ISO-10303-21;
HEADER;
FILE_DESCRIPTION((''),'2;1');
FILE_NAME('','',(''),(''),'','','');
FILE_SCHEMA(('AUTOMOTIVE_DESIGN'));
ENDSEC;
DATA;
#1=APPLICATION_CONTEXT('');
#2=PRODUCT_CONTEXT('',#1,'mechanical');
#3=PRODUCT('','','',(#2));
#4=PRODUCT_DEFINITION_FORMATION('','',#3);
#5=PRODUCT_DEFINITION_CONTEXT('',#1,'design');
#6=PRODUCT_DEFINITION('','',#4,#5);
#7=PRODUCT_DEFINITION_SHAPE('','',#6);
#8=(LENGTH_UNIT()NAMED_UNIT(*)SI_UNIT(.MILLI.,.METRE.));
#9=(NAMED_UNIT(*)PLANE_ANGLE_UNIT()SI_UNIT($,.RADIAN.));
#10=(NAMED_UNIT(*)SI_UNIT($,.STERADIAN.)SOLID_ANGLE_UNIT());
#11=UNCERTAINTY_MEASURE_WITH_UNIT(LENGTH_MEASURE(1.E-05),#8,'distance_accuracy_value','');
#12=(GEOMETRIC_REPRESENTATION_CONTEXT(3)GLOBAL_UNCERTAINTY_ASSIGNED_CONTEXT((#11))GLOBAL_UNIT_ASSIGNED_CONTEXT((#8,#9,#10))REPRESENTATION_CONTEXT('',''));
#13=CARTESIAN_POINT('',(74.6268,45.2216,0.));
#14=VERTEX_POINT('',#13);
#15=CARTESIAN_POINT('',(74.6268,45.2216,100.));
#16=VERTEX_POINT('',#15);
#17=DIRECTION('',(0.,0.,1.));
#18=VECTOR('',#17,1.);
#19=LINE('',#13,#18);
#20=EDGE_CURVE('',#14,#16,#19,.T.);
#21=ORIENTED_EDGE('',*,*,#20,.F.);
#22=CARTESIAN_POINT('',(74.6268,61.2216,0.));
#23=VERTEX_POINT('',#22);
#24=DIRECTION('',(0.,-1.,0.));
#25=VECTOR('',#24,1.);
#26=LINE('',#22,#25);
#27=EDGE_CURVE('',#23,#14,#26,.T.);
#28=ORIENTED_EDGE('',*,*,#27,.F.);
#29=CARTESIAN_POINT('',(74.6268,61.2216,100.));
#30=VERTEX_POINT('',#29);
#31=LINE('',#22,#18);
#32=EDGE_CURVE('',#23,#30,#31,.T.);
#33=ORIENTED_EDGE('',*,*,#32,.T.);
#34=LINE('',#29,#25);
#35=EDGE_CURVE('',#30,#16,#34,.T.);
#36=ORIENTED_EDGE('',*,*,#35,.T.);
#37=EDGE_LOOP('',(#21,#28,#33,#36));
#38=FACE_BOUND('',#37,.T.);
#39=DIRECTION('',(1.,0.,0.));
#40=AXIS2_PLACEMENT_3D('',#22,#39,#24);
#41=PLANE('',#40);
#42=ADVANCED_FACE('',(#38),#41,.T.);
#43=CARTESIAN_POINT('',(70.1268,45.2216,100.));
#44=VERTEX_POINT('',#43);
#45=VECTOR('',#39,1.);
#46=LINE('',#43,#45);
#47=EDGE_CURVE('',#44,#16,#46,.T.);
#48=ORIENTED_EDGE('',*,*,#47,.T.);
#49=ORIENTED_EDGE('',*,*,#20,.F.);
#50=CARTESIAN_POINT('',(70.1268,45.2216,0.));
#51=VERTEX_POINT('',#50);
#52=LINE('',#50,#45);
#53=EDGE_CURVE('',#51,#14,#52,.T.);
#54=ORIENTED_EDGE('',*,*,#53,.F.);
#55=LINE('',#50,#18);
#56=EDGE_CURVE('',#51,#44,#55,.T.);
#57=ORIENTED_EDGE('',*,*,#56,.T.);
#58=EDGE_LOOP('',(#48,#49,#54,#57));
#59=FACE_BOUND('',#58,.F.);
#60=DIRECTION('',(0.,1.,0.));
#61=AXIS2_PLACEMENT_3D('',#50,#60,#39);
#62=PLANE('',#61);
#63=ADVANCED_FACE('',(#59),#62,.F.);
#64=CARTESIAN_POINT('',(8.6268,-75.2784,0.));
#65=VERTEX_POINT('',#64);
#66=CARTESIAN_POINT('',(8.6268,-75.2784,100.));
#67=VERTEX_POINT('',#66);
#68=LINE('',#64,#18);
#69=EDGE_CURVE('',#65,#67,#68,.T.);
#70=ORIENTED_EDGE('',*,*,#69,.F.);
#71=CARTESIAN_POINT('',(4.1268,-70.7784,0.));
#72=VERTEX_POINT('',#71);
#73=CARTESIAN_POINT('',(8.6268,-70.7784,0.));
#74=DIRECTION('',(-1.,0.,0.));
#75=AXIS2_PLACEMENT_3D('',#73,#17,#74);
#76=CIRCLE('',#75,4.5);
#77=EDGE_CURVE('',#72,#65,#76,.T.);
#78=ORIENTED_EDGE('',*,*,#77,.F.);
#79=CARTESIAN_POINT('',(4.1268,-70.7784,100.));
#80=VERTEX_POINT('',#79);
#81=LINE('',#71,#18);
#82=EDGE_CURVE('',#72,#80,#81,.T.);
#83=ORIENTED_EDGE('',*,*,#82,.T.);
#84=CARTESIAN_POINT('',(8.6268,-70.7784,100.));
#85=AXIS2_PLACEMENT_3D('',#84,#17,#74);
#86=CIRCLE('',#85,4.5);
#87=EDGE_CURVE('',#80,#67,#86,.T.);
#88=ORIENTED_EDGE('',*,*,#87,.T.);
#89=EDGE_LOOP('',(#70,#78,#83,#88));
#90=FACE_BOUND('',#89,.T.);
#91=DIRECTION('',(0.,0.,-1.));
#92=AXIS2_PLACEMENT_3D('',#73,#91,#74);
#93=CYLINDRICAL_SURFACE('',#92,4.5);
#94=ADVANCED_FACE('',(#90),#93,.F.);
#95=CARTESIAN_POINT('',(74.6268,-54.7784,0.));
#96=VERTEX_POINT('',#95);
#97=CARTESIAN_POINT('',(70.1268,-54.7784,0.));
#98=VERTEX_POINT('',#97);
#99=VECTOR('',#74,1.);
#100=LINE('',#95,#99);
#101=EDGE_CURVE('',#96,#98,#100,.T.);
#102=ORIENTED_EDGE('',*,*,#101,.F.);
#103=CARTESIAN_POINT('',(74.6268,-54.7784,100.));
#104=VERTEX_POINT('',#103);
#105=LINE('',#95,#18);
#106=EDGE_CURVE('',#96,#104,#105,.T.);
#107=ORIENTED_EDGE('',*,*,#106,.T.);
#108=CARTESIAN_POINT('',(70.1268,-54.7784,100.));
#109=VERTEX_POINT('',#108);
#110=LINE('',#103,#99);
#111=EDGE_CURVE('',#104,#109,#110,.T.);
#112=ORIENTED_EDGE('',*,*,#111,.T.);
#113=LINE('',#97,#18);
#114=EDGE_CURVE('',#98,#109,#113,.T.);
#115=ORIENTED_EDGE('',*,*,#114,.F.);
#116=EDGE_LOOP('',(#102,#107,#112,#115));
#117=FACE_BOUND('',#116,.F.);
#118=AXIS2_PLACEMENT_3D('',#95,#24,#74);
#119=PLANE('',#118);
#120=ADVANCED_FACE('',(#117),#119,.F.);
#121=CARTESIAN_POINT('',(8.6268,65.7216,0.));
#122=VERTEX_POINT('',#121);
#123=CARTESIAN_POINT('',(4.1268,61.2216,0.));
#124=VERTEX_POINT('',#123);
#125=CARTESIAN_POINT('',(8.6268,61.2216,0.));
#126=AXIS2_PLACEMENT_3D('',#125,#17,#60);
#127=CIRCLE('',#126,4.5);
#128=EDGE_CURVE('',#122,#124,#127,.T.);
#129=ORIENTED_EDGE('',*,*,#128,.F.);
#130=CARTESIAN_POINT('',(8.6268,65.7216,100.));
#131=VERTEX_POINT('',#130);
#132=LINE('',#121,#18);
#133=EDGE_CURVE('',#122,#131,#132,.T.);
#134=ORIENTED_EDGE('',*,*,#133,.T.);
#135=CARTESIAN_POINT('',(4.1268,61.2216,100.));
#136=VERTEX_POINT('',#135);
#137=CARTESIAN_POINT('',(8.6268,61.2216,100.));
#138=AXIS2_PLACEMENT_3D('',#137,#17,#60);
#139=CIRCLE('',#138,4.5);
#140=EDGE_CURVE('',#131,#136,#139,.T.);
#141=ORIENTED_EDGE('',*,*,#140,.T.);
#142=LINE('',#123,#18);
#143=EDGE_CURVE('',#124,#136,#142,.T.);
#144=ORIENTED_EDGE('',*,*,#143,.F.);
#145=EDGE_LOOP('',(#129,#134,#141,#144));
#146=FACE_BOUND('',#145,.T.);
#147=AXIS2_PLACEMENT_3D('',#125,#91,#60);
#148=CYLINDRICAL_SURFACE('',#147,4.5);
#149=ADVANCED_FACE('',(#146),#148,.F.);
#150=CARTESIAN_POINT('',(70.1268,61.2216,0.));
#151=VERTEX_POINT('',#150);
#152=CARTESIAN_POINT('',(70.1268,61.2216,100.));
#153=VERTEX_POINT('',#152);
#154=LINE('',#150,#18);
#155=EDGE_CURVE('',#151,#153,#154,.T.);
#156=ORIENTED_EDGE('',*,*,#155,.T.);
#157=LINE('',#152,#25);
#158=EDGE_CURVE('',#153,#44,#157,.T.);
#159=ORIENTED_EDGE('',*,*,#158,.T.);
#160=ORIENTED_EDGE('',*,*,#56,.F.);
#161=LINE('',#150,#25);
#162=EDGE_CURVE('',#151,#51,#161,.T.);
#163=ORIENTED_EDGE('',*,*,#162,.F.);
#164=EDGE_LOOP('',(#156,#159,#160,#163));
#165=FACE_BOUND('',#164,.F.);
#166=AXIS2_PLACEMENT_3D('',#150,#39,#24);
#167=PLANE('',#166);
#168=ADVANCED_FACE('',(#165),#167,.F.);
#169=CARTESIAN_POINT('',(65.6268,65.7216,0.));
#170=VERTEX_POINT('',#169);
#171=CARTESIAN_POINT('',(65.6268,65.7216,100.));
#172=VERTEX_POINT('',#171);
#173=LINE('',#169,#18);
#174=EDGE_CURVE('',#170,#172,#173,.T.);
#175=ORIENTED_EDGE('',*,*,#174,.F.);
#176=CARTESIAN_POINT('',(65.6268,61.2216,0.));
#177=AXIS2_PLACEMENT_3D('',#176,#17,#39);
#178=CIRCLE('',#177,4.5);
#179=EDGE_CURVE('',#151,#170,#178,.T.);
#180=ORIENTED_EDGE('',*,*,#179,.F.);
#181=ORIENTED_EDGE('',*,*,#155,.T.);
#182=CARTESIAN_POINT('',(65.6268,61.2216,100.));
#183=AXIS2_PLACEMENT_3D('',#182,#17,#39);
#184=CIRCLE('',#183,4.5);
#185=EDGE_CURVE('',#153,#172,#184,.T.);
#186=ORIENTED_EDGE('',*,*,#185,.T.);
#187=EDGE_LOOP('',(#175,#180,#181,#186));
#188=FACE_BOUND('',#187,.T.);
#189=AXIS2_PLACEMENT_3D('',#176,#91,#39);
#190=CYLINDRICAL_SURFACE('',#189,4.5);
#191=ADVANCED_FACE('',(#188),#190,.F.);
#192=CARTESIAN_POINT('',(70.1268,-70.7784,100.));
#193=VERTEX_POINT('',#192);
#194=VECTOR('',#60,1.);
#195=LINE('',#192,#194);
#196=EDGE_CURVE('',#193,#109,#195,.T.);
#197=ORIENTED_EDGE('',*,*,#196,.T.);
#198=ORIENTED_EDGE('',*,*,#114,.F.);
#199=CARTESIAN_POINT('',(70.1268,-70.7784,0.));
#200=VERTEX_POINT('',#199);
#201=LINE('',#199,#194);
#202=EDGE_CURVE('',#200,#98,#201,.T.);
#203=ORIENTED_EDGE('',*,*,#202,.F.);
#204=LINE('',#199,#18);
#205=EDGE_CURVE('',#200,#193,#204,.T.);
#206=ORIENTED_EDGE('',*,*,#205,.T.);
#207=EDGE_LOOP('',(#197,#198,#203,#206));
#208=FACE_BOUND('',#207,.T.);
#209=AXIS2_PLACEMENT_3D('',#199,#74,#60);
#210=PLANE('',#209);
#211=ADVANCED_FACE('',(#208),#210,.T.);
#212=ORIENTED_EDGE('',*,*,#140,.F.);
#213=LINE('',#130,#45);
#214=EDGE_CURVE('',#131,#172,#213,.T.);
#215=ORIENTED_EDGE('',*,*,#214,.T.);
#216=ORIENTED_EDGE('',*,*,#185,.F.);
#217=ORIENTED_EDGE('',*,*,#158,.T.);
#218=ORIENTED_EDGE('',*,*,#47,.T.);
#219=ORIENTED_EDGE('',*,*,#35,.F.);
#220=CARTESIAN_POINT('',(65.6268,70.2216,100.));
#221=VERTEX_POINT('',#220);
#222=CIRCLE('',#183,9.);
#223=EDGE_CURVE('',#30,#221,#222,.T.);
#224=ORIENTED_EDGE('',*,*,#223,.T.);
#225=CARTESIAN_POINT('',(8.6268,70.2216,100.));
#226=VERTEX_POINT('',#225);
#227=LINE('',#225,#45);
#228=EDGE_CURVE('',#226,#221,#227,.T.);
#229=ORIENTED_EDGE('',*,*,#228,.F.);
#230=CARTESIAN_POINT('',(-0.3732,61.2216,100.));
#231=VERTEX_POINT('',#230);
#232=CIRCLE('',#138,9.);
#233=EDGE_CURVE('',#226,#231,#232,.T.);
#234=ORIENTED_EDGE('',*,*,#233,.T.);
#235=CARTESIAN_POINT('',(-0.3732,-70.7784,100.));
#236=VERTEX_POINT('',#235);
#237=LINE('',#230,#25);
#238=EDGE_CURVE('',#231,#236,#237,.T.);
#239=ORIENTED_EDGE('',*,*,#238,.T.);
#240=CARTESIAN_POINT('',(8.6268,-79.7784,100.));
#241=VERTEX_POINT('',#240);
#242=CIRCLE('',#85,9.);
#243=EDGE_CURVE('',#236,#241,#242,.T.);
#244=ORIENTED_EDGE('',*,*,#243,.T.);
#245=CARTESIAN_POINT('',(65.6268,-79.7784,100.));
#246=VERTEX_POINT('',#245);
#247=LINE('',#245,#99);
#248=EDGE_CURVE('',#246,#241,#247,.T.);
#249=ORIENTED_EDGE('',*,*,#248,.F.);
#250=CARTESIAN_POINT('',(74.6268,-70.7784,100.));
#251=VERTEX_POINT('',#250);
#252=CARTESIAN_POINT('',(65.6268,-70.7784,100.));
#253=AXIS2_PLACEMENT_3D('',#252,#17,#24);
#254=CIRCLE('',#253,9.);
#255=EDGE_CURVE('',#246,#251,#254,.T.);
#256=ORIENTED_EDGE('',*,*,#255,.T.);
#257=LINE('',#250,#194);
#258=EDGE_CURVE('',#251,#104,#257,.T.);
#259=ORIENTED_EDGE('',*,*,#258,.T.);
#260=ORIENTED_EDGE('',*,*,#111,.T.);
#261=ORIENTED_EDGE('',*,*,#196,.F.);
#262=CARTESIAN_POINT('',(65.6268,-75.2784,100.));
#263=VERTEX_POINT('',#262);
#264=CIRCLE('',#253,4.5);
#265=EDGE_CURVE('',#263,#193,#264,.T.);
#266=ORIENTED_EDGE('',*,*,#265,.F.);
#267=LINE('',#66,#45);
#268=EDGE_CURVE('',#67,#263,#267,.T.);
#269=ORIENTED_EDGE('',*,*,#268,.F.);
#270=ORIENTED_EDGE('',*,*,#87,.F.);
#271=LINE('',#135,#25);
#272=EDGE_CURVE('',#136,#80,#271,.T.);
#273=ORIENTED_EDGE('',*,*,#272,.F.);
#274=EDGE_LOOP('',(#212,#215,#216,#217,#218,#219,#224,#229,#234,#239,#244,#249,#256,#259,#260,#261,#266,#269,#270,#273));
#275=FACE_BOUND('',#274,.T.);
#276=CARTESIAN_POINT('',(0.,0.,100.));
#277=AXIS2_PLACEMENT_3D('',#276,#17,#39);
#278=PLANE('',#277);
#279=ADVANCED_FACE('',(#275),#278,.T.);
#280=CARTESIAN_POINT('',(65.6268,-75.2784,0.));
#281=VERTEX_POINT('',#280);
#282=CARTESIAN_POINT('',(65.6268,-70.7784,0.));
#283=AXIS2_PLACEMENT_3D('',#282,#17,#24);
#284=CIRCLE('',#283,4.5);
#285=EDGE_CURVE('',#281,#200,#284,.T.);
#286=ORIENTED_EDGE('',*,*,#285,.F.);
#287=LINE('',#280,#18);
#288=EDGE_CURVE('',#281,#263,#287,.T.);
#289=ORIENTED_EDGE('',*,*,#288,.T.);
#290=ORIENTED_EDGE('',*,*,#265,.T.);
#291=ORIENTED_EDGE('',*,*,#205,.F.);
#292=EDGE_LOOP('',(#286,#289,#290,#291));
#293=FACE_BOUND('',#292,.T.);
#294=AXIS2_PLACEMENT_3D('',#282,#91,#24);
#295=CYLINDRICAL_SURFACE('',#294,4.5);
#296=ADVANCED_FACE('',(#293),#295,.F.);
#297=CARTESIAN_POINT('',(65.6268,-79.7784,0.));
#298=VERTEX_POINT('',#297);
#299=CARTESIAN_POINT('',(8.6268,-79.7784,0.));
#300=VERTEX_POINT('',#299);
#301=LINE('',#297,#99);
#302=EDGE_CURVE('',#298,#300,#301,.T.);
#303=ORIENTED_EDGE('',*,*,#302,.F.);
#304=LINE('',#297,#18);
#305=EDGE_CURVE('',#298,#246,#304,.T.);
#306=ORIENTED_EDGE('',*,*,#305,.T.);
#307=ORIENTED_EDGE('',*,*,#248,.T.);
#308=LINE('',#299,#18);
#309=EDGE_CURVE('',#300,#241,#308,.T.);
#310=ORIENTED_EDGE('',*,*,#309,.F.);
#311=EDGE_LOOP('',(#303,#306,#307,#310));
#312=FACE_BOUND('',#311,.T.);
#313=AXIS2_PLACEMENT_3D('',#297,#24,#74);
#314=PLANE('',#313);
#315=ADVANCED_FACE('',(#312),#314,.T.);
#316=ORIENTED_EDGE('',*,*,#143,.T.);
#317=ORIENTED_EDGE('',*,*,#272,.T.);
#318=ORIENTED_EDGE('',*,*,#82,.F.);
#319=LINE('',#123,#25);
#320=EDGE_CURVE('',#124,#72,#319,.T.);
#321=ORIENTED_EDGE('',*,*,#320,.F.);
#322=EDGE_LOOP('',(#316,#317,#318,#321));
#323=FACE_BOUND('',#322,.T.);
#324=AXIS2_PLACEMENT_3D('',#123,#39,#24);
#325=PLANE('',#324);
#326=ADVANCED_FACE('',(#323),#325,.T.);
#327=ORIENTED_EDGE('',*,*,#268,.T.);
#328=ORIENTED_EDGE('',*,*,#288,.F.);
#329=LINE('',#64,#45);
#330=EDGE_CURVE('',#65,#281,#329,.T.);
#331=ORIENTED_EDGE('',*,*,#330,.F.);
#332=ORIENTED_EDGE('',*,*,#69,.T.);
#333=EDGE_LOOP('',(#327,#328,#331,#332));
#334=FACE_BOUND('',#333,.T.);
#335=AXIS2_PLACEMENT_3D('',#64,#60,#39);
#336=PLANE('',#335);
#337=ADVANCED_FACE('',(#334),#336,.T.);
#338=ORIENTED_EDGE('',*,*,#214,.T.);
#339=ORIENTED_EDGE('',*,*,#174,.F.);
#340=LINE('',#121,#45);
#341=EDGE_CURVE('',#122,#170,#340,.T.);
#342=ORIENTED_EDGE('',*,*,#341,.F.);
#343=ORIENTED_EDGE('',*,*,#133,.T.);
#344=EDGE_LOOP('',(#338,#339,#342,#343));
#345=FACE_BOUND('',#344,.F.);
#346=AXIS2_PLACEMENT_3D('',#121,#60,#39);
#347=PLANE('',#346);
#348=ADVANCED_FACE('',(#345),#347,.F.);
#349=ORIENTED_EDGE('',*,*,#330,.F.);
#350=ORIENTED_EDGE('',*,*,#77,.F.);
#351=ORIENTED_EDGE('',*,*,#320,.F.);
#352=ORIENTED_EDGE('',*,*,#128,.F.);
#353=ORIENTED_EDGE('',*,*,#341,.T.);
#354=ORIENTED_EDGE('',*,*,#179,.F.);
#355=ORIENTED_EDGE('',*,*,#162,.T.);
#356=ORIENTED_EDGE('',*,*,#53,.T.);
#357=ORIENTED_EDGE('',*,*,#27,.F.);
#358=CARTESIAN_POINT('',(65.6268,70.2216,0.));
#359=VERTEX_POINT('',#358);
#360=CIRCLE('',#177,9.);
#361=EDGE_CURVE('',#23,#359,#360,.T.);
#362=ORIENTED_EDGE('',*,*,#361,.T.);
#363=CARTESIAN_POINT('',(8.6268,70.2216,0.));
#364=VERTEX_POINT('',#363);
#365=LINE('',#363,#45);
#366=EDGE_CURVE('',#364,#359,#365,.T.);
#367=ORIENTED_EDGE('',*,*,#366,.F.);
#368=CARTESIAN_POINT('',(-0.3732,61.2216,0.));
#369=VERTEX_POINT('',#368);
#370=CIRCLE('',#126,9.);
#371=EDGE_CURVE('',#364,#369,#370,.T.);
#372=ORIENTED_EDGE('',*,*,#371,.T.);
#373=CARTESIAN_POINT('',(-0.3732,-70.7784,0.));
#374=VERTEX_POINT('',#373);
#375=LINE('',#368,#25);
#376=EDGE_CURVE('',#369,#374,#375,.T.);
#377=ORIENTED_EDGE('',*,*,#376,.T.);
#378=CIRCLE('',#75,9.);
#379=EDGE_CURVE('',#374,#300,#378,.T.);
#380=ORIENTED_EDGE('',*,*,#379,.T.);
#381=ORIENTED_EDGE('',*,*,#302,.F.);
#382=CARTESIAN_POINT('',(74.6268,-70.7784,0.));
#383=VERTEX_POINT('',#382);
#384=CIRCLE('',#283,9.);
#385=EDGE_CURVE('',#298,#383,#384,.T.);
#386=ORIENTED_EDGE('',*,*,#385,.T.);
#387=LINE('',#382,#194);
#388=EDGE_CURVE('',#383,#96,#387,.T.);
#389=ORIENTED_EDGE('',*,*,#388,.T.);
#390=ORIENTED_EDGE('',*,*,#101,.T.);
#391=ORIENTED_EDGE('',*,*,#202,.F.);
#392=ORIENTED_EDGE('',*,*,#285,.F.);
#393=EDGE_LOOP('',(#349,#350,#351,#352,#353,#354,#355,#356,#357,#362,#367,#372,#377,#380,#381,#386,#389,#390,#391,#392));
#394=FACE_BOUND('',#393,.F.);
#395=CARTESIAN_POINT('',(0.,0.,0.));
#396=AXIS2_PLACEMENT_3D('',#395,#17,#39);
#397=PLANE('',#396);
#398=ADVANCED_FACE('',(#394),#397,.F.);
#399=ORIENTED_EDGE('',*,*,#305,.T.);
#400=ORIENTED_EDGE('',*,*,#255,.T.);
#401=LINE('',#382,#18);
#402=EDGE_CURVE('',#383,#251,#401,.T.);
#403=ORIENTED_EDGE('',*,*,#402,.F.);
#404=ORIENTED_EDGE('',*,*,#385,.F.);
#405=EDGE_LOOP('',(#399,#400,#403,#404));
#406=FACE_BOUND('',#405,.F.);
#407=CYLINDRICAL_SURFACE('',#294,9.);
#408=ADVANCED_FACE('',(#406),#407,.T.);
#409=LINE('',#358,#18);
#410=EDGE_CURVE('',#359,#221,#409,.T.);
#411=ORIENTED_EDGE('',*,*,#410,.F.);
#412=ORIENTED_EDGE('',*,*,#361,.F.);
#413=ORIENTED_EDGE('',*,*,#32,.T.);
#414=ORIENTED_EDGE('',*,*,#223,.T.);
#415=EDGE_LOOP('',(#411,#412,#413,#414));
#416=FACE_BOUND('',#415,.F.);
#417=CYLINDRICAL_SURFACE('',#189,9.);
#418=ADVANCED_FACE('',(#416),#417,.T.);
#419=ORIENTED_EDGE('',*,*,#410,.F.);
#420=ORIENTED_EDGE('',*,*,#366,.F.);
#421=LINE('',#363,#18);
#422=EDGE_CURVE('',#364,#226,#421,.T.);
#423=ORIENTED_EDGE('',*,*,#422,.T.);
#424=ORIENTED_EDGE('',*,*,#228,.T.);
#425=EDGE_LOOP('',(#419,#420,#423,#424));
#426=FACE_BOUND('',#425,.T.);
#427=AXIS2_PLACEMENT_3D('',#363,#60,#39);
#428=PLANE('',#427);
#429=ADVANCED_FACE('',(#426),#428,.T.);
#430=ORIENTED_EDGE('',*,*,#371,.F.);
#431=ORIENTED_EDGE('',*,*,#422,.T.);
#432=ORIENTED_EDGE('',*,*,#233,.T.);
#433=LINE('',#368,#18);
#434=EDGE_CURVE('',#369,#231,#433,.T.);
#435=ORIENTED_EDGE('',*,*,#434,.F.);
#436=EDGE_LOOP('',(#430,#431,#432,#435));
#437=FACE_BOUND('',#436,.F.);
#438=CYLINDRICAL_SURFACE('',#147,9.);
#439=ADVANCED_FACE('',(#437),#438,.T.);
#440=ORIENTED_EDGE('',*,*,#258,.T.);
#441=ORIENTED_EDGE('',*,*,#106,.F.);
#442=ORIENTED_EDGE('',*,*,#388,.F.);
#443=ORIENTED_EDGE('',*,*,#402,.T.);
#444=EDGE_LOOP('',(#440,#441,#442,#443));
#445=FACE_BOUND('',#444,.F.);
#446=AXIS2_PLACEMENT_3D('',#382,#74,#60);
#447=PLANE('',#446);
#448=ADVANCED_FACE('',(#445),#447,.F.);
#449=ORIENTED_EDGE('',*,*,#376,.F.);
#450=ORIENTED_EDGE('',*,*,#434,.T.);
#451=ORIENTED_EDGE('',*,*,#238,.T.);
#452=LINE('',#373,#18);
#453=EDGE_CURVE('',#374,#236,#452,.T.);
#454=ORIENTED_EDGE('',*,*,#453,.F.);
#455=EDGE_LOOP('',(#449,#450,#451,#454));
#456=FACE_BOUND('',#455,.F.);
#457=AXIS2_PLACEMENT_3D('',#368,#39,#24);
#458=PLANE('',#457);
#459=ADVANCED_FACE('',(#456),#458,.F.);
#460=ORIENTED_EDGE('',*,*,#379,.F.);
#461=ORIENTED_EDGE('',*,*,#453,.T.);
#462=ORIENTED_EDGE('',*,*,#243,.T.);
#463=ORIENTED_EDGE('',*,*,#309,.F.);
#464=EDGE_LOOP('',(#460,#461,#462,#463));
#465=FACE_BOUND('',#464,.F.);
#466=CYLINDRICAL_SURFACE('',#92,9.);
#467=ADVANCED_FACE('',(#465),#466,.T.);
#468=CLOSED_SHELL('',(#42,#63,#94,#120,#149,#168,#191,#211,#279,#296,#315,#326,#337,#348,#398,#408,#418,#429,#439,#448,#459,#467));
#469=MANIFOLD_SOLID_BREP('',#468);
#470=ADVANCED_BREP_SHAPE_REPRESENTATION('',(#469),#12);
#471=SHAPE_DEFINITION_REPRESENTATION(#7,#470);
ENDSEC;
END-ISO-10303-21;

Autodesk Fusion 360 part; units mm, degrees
sketch "スケッチ1" plane through (0, 0, 0) normal (0, 0, 1) x (1, 0, 0)
  line L0 (65.6268, -79.7784) -> (8.6268, -79.7784)
  line L1 (8.6268, -75.2784) -> (65.6268, -75.2784)
  line L2 (8.6268, 65.7216) -> (65.6268, 65.7216)
  line L3 (8.6268, 70.2216) -> (65.6268, 70.2216)
  line L4 (4.1268, 61.2216) -> (4.1268, -70.7784)
  line L5 (-0.3732, 61.2216) -> (-0.3732, -70.7784)
  arc A0 (-0.3732, -70.7784) -> (8.6268, -79.7784) centre (8.6268, -70.7784) ccw
  arc A1 (4.1268, -70.7784) -> (8.6268, -75.2784) centre (8.6268, -70.7784) ccw
  arc A2 (8.6268, 70.2216) -> (-0.3732, 61.2216) centre (8.6268, 61.2216) ccw
  arc A3 (8.6268, 65.7216) -> (4.1268, 61.2216) centre (8.6268, 61.2216) ccw
  line L6 (70.1268, -70.7784) -> (70.1268, -54.7784)
  line L7 (74.6268, -70.7784) -> (74.6268, -54.7784)
  arc A4 (65.6268, -79.7784) -> (74.6268, -70.7784) centre (65.6268, -70.7784) ccw
  arc A5 (65.6268, -75.2784) -> (70.1268, -70.7784) centre (65.6268, -70.7784) ccw
  line L8 (74.6268, -54.7784) -> (70.1268, -54.7784)
  line L9 (74.6268, 61.2216) -> (74.6268, 45.2216)
  line L10 (70.1268, 61.2216) -> (70.1268, 45.2216)
  line L11 (70.1268, 45.2216) -> (74.6268, 45.2216)
  arc A6 (74.6268, 61.2216) -> (65.6268, 70.2216) centre (65.6268, 61.2216) ccw
  arc A7 (70.1268, 61.2216) -> (65.6268, 65.7216) centre (65.6268, 61.2216) ccw
  point P0 (-0.3732, 70.2216)
extrude "押し出し1" add sketch "スケッチ1" along normal blind 100
